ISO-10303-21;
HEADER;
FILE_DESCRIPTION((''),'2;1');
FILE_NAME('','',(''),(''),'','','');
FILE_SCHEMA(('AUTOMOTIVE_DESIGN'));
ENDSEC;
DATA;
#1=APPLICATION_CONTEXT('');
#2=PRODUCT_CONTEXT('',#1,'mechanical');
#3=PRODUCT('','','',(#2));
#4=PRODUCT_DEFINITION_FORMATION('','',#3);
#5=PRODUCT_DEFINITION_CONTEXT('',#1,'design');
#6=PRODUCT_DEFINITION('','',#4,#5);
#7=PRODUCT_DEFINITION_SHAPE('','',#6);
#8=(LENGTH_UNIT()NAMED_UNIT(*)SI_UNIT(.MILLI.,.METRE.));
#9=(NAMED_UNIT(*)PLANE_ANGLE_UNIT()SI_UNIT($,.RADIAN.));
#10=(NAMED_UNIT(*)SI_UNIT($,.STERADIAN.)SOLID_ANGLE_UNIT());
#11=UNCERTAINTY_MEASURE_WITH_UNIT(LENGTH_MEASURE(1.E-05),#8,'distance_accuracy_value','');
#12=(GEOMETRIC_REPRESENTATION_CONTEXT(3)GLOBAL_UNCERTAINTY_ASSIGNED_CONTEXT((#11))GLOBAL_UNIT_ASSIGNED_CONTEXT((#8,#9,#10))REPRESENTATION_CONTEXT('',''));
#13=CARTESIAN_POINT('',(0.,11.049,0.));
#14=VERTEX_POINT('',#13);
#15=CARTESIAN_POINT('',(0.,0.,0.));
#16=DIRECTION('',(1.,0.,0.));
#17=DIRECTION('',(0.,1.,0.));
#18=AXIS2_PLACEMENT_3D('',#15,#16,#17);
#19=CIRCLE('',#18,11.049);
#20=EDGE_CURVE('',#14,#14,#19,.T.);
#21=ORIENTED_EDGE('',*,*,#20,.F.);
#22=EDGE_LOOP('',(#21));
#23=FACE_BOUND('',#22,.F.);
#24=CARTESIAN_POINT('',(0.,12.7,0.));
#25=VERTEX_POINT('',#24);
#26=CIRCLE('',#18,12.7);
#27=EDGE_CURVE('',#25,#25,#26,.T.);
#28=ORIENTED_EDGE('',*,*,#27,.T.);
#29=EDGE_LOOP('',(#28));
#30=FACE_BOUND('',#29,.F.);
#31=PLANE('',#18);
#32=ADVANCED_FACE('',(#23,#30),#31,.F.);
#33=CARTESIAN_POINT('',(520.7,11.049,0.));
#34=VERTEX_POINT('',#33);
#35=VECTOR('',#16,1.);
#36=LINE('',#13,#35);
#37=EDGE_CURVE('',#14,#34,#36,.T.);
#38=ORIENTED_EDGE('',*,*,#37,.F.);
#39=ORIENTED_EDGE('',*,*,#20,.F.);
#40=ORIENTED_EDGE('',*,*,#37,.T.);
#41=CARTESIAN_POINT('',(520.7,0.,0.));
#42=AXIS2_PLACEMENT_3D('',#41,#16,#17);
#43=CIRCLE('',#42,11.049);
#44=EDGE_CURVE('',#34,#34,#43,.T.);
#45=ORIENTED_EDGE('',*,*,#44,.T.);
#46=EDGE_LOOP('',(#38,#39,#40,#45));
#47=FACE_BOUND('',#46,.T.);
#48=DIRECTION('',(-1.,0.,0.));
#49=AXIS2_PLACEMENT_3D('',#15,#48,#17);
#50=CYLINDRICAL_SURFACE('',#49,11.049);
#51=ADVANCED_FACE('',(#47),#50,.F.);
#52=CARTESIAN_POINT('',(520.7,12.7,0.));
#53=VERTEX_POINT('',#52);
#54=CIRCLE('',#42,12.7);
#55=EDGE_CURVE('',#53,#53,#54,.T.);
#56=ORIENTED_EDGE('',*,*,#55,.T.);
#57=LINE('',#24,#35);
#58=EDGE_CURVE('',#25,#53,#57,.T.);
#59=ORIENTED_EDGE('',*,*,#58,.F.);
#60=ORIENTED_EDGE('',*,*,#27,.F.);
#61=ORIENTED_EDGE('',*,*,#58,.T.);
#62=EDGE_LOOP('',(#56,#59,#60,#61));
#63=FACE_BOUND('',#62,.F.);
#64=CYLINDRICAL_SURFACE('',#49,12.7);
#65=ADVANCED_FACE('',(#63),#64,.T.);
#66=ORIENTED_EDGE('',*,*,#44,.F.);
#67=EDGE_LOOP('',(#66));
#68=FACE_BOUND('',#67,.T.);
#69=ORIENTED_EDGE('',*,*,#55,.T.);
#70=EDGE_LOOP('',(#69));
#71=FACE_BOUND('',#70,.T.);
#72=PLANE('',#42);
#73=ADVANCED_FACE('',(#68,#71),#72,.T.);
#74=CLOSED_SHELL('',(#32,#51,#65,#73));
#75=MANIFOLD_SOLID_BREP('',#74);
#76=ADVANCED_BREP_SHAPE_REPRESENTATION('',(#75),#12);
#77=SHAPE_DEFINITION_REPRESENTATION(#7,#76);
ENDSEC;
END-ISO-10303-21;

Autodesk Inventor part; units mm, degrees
ref_plane "XZ Plane" through (0, 0, 0) normal (0, 1, 0) x (-1, 0, 0)
ref_plane "Start Plane" through (0, 0, 0) normal (1, 0, 0) x (0, 1, 0)
ref_plane "End Plane" through (520.7, 0, 0) normal (1, 0, 0) x (0, 1, 0)
sketch "Sketch" plane through (0, 0, 0) normal (1, 0, 0) x (0, 1, 0)
  circle A0 centre (0, 0) radius 12.7
  circle A1 centre (0, 0) radius 11.049
  dimension "d0" = 25.4
  dimension "d1" = 1.651
extrude "Body" add sketch "Sketch" along normal up to surface (520.7 mm away) from surface at 0
sketch "Sketch2" plane through (0, 0, 0) normal (1, 0, 0) x (0, 1, 0)
  line L0 (0, 0) -> (10, 0)
ref_plane "Work Plane3" through (0, 0, 0) normal (0, 0, -1) x (0, 1, 0)
sketch "Sketch3" plane through (0, 0, 0) normal (0, 0, -1) x (0, 1, 0)
  line L0 (-2, 0) -> (12, 0)
  line L1 (-2, 520.7) -> (12, 520.7)
  dimension "d9" = 520.7
equation "\"G_OFFSET_START\" = 0"
equation "\"G_OFFSET_END\" = 0"
equation "\"d5\" = d2 + G_OFFSET_END"
equation "\"G_L\" = d9"
equation "\"d2\" = 520.7"
properties part number "4130_1x0.065" material "Steel, Alloy"
